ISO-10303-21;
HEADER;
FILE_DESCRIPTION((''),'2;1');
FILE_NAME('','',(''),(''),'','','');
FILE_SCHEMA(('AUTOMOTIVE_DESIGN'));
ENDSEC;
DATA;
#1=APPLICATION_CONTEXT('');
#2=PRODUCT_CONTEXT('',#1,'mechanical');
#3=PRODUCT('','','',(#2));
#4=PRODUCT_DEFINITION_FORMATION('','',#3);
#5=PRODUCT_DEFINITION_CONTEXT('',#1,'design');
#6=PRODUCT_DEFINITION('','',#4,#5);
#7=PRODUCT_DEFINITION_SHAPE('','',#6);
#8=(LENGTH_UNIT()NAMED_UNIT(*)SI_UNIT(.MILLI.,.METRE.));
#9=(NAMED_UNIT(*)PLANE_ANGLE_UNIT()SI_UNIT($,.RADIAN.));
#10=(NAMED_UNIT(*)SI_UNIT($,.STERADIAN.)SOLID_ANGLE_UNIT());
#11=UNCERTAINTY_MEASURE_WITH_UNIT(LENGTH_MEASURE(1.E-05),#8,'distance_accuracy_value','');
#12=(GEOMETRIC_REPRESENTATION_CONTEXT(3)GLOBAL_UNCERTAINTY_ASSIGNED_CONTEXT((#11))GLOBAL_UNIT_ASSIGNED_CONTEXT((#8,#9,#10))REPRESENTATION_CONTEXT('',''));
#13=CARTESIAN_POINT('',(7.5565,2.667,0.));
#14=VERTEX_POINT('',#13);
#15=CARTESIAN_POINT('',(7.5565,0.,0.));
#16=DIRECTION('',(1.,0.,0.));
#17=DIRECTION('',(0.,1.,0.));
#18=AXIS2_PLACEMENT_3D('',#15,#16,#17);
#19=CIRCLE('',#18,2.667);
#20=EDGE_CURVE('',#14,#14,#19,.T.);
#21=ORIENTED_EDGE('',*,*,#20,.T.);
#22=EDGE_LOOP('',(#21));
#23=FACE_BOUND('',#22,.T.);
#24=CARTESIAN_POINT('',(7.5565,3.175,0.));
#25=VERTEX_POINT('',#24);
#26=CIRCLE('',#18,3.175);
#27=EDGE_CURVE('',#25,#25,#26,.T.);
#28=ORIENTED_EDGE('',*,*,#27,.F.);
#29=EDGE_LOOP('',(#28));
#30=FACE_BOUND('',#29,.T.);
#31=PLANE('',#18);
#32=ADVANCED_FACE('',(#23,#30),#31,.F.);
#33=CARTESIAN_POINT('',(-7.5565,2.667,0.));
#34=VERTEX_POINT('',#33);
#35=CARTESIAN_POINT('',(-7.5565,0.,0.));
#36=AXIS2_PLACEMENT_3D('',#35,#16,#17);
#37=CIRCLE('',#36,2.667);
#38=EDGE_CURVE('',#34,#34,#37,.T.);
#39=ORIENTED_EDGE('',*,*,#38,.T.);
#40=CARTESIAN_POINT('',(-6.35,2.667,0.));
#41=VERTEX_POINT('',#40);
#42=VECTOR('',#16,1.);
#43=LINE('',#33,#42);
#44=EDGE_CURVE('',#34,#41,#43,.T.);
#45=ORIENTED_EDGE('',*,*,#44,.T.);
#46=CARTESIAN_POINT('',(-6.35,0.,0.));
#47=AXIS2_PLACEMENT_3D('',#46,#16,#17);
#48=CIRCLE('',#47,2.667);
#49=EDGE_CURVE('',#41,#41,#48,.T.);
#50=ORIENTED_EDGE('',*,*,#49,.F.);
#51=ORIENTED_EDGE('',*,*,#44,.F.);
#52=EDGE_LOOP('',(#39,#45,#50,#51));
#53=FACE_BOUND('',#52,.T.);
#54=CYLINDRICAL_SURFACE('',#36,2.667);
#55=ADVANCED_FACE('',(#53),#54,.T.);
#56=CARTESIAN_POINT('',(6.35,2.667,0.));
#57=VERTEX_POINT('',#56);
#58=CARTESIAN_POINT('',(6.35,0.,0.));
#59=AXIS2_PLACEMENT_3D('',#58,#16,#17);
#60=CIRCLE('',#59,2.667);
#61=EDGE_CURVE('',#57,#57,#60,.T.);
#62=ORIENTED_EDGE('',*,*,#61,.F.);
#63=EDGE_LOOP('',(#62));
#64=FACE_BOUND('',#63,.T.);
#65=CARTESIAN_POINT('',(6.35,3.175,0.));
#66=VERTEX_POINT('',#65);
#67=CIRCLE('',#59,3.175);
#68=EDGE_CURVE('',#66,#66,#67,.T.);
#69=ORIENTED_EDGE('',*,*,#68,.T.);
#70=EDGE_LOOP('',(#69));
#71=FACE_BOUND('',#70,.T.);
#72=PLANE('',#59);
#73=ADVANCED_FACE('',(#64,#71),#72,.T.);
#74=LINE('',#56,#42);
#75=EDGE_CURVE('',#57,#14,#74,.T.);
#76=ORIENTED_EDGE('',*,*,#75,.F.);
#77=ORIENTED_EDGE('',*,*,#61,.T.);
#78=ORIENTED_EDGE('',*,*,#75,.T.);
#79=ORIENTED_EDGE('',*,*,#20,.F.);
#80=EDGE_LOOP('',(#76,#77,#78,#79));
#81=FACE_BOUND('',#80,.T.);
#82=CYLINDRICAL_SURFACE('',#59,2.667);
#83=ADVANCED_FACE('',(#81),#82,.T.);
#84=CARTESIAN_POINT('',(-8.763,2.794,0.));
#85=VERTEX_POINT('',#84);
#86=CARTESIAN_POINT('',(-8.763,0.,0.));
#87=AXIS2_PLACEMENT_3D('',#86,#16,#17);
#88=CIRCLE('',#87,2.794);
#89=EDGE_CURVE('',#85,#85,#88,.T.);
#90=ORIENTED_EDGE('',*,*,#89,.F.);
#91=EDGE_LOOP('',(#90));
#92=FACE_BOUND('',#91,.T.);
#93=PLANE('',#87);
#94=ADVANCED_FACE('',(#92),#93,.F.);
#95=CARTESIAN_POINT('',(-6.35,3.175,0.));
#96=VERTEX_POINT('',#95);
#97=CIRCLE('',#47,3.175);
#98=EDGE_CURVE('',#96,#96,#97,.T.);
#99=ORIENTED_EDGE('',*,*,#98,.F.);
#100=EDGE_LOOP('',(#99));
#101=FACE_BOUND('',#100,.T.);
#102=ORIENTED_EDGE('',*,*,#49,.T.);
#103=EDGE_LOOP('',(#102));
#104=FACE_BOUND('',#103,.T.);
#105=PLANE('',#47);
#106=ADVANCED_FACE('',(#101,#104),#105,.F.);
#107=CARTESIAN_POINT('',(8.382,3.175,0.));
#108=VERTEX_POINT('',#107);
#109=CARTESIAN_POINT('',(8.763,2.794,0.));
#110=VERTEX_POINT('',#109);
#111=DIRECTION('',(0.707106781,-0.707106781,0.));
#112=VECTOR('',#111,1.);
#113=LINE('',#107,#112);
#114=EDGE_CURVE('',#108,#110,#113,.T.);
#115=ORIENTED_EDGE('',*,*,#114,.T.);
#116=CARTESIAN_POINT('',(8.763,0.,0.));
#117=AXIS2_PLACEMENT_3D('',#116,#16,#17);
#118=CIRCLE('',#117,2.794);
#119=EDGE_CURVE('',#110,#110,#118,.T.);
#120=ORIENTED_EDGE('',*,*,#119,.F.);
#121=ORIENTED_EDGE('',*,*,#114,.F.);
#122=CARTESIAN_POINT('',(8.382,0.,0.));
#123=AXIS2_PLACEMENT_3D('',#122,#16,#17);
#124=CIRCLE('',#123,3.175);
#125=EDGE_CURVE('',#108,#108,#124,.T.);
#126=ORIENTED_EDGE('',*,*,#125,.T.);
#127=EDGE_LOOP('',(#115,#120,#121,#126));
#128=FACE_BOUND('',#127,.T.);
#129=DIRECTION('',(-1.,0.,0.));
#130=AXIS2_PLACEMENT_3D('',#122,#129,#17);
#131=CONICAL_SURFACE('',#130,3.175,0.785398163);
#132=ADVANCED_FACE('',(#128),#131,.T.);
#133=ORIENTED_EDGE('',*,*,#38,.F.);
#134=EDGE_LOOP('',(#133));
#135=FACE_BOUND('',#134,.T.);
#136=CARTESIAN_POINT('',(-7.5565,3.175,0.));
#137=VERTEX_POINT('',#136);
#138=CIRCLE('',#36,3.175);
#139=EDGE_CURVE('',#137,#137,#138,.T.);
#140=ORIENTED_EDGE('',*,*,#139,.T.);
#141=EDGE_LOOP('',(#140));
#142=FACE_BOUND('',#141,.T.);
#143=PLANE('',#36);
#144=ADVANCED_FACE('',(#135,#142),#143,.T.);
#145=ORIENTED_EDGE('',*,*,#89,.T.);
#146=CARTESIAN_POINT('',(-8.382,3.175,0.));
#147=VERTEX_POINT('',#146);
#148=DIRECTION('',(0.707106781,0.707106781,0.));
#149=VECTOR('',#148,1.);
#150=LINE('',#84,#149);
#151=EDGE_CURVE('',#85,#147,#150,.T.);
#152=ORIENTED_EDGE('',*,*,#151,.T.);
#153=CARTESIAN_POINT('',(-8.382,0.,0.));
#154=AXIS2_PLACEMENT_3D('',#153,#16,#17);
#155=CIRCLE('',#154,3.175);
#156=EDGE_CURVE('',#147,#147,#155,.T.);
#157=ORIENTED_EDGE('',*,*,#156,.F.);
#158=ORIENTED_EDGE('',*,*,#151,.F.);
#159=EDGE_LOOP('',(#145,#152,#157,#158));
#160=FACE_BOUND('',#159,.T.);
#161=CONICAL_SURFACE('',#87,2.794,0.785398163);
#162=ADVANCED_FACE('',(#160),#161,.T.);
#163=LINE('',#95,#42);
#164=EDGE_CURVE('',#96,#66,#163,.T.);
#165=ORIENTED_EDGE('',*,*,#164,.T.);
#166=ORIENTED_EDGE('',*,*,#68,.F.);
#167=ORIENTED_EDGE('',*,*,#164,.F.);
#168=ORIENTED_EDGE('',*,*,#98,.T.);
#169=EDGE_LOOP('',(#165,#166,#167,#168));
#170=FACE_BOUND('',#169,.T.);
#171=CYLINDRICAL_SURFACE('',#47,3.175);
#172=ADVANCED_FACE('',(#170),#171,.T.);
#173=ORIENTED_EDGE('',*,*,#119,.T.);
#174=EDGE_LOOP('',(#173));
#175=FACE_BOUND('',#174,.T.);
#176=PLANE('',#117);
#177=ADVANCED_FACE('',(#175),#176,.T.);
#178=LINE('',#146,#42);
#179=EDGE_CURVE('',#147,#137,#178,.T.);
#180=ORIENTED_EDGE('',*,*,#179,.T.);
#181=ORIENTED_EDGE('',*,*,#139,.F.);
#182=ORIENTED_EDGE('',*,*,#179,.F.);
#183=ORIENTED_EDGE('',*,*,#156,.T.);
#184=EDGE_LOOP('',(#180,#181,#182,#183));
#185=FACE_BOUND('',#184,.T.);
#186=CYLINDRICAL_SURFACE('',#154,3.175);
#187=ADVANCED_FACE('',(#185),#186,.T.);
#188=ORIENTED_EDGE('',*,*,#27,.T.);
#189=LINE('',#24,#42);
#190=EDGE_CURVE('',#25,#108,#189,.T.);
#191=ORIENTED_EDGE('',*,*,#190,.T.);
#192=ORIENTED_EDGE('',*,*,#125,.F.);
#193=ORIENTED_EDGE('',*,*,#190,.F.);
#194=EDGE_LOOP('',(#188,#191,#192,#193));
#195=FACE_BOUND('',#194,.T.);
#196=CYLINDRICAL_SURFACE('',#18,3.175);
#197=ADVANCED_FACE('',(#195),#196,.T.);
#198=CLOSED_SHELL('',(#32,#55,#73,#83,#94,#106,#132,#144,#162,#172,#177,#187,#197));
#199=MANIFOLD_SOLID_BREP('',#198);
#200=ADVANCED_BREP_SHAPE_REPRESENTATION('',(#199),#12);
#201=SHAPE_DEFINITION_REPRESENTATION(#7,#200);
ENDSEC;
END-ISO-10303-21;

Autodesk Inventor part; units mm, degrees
sketch "Sketch_1" plane through (0, 0, 0) normal (0, 0, 1) x (1, 0, 0)
  line L0 (8.763, 0) -> (-8.763, 0)
  line L1 (-8.763, 0) -> (-8.763, 2.794)
  line L2 (-8.763, 2.794) -> (-8.382, 3.175)
  line L3 (-8.382, 3.175) -> (-7.5565, 3.175)
  line L4 (-7.5565, 3.175) -> (-7.5565, 2.667)
  line L5 (-7.5565, 2.667) -> (-6.35, 2.667)
  line L6 (-6.35, 2.667) -> (-6.35, 3.175)
  line L7 (-6.35, 3.175) -> (6.35, 3.175)
  line L8 (6.35, 3.175) -> (6.35, 2.667)
  line L9 (6.35, 2.667) -> (7.5565, 2.667)
  line L10 (7.5565, 2.667) -> (7.5565, 3.175)
  line L11 (7.5565, 3.175) -> (8.382, 3.175)
  line L12 (8.382, 3.175) -> (8.763, 2.794)
  line L13 (8.763, 2.794) -> (8.763, 0)
  line L14 (8.763, 0) -> (-8.763, 0)
revolve "Revolution1" add sketch "Sketch_1" angle 360 about axis through (8.763, 0, 0) along (1, 0, 0)
ref_plane "p1_XY" through (0, 0, 3.175) normal (1, 0, 0) x (0, 0, -1)
ref_plane "p1_YZ" through (0, 0, 3.175) normal (0, 0, -1) x (0, 1, 0)
ref_plane "p1_ZX" through (0, 0, 3.175) normal (0, 1, 0) x (1, 0, 0)
ref_plane "p2_XY" through (0, 0, -3.175) normal (1, 0, 0) x (0, 0, -1)
ref_plane "p2_YZ" through (0, 0, -3.175) normal (0, 0, -1) x (0, 1, 0)
ref_plane "p2_ZX" through (0, 0, -3.175) normal (0, 1, 0) x (1, 0, 0)
ref_plane "pin_XY" through (0, 0, 0) normal (1, 0, 0) x (0, 0, -1)
ref_plane "pin_YZ" through (0, 0, 0) normal (0, 0, -1) x (0, 1, 0)
ref_plane "pin_ZX" through (0, 0, 0) normal (0, 1, 0) x (1, 0, 0)
ref_plane "rr1_XY" through (6.9532, 0, 0) normal (1, 0, 0) x (0, 0, -1)
ref_plane "rr1_YZ" through (6.9532, 0, 0) normal (0, 0, -1) x (0, 1, 0)
ref_plane "rr1_ZX" through (6.9532, 0, 0) normal (0, 1, 0) x (1, 0, 0)
ref_plane "rr2_XY" through (-6.9532, 0, 0) normal (1, 0, 0) x (0, 0, -1)
ref_plane "rr2_YZ" through (-6.9532, 0, 0) normal (0, 0, -1) x (0, 1, 0)
ref_plane "rr2_ZX" through (-6.9532, 0, 0) normal (0, 1, 0) x (1, 0, 0)
ref_plane "w21_XY" through (8.763, 0, 0) normal (0, 1, 0) x (1, 0, 0)
ref_plane "w21_YZ" through (8.763, 0, 0) normal (1, 0, 0) x (0, 0, -1)
ref_plane "w21_ZX" through (8.763, 0, 0) normal (0, 0, -1) x (0, 1, 0)
ref_plane "w22_XY" through (-8.763, 0, 0) normal (0, 1, 0) x (1, 0, 0)
ref_plane "w22_YZ" through (-8.763, 0, 0) normal (1, 0, 0) x (0, 0, -1)
ref_plane "w22_ZX" through (-8.763, 0, 0) normal (0, 0, -1) x (0, 1, 0)
properties part number "D-8381"
